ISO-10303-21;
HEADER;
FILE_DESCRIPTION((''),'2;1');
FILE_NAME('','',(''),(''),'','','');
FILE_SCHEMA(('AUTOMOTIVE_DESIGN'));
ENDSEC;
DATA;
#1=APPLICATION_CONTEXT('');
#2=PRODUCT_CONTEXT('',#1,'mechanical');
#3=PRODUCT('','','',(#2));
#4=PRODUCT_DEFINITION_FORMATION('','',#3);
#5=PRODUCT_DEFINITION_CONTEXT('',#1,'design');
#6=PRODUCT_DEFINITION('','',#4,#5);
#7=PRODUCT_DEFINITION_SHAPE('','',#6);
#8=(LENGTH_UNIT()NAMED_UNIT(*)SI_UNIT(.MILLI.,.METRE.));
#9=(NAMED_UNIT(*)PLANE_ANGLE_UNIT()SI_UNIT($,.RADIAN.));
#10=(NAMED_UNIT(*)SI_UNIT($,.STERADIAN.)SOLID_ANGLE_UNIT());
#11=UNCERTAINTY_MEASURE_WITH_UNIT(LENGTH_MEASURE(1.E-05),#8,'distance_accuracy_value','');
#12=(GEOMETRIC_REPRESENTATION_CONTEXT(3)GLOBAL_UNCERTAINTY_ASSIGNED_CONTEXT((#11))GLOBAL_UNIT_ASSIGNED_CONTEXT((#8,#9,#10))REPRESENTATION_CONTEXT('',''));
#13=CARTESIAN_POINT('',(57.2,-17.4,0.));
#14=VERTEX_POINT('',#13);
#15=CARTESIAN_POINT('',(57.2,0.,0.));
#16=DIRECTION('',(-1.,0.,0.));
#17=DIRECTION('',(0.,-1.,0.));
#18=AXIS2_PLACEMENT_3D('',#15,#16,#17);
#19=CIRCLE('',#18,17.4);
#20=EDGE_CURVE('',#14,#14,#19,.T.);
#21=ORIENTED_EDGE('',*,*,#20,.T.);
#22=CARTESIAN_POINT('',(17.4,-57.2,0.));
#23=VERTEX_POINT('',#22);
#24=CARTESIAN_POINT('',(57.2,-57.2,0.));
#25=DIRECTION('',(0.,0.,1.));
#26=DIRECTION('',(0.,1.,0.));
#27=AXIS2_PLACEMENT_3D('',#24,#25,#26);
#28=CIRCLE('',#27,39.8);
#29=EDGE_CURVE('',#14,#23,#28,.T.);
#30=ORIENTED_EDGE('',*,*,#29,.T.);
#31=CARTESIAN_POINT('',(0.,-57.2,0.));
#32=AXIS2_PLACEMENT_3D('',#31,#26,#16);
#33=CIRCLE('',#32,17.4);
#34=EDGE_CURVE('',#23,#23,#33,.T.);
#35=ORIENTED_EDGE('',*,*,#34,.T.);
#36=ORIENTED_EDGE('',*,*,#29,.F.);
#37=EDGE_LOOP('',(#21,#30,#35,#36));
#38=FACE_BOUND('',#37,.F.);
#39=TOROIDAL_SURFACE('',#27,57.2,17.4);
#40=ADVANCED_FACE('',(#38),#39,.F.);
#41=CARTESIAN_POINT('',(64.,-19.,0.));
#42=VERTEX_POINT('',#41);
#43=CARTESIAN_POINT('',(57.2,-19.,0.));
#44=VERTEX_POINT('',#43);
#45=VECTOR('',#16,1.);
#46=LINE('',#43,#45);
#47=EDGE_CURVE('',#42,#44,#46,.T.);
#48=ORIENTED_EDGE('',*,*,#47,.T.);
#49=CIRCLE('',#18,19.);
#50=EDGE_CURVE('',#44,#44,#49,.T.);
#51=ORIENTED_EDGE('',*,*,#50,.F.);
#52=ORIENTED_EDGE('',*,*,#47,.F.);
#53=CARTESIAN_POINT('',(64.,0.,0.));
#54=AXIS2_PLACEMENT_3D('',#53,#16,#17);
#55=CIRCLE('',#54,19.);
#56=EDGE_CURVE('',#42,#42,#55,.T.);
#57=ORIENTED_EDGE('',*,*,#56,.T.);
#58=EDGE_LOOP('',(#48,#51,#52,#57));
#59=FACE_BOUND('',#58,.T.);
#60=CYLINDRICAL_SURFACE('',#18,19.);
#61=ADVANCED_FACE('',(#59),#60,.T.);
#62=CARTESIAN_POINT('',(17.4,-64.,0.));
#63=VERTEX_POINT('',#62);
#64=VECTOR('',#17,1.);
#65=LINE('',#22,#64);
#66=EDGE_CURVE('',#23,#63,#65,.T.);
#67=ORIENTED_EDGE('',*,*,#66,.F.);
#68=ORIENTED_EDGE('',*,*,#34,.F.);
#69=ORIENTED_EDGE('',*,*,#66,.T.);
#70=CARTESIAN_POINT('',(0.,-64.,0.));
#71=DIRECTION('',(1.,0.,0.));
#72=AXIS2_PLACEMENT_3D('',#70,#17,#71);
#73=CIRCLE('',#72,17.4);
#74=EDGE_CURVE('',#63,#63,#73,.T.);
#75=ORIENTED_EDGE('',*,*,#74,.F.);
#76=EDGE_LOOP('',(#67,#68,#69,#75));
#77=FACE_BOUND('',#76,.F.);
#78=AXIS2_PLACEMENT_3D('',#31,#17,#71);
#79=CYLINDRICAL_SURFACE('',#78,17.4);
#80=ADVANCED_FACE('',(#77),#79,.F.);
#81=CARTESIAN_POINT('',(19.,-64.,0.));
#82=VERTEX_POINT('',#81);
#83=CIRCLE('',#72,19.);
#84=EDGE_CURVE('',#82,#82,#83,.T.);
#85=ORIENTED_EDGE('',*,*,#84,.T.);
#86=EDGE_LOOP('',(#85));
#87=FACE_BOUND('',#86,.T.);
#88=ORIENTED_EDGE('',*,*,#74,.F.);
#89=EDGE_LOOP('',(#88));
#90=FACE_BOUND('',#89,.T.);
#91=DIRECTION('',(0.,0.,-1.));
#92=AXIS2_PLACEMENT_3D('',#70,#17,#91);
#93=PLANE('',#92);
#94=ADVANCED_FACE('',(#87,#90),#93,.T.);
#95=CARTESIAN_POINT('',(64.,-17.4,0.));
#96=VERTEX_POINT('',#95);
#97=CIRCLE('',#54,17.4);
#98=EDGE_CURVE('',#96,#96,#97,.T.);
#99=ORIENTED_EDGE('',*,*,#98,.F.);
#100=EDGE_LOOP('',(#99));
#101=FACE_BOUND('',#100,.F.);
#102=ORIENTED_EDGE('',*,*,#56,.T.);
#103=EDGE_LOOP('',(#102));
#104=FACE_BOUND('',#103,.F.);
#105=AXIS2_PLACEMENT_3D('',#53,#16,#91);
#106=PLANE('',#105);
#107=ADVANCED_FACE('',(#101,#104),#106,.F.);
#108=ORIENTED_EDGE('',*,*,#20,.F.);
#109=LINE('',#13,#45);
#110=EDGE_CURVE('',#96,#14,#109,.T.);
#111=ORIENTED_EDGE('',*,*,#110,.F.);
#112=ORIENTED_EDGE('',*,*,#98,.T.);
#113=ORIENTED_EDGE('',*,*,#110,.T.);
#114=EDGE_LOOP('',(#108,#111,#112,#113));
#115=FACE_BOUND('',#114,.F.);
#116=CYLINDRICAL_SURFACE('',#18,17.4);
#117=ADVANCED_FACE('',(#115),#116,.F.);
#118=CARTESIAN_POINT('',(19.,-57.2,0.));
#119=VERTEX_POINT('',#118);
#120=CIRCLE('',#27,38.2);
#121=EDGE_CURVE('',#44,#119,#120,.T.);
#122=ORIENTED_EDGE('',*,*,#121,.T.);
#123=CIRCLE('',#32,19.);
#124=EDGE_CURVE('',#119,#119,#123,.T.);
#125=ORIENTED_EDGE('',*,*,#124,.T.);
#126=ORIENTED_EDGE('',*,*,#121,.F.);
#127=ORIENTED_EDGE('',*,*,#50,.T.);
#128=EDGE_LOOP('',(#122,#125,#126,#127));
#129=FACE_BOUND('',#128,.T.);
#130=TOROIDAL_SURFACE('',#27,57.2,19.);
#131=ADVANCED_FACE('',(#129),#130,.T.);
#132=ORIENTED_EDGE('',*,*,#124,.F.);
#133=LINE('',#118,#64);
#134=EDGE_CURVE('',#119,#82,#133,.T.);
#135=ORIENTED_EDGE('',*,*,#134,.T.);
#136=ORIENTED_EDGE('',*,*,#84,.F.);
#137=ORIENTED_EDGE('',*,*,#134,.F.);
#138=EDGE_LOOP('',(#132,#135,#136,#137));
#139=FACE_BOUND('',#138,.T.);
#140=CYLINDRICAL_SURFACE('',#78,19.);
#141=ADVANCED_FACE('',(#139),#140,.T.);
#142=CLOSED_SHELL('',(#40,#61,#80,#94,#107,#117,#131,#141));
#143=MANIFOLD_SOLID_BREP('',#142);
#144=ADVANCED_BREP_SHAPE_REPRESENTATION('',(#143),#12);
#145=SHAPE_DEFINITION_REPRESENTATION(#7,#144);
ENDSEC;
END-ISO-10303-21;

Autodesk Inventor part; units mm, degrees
ref_plane "YZ Plane" through (0, 0, 0) normal (1, 0, 0) x (0, 1, 0)
ref_plane "XZ Plane" through (0, 0, 0) normal (0, 1, 0) x (-1, 0, 0)
sketch "Szkic6" plane through (0, 0, 0) normal (0, 0, 1) x (1, 0, 0)
  line L0 (-29.6067, 0) -> (35.2678, 0) construction
  line L1 (0, 42.3419) -> (0, -58.3726) construction
  arc A0 (57.2, 0) -> (0, -57.2) centre (57.2, -57.2) ccw
  line L2 (0, -57.2) -> (57.2, -57.2) construction
  line L3 (57.2, -57.2) -> (57.2, 8.3331) construction
  line L4 (57.2, 0) -> (64, 0)
  line L5 (0, -57.2) -> (0, -64)
  point P0 (0, 0)
  dimension "d24" = 57.2
  dimension "d31" = 90
  dimension "d36" = 6.8
  dimension "d37" = 6.8
ref_plane "Płaszczyzna konstrukcyjna2" through (0, -57.2, 0) normal (0, -1, 0) x (1, 0, 0)
sketch "Szkic8" plane through (0, -57.2, 0) normal (0, -1, 0) x (1, 0, 0)
  circle A0 centre (0, 0) radius 19
  circle A1 centre (0, 0) radius 17.4
  dimension "d32" = 38
  dimension "d33" = 1.6
sweep "Przeciągnięcie2" add profiles "Szkic8" path "Szkic6"
equation "\"d32\" = OD"
equation "\"d33\" = THK"
equation "\"d24\" = R"
equation "\"d31\" = KAT"
equation "\"d36\" = PROSTKA"
equation "\"d37\" = PROSTKA"
equation "\"SzerokośćGięciaPodcięcia\" = Grubość"
equation "\"RozmiarPodcięciaNarożnika\" = 4 * Grubość"
equation "\"PromieńPrzejścia\" = PromieńGięcia"
equation "\"Rozmiar_promienia_Jacobiego\" = PromieńGięcia"
equation "\"Wielk_odstępu\" = Grubość"
equation "\"d2\" = PromieńGięcia"
equation "\"d23\" = PromieńGięcia"
equation "\"R\" = 57.2"
equation "\"OD\" = 38"
equation "\"THK\" = 1.6"
equation "\"KAT\" = 90deg"
equation "\"PROSTKA\" = 6.8"
equation "\"Grubość\" = 1.5"
equation "\"PromieńGięcia\" = 3"
properties part number "Kolano 90° ø38x1,6 R57,2" material "304L"
